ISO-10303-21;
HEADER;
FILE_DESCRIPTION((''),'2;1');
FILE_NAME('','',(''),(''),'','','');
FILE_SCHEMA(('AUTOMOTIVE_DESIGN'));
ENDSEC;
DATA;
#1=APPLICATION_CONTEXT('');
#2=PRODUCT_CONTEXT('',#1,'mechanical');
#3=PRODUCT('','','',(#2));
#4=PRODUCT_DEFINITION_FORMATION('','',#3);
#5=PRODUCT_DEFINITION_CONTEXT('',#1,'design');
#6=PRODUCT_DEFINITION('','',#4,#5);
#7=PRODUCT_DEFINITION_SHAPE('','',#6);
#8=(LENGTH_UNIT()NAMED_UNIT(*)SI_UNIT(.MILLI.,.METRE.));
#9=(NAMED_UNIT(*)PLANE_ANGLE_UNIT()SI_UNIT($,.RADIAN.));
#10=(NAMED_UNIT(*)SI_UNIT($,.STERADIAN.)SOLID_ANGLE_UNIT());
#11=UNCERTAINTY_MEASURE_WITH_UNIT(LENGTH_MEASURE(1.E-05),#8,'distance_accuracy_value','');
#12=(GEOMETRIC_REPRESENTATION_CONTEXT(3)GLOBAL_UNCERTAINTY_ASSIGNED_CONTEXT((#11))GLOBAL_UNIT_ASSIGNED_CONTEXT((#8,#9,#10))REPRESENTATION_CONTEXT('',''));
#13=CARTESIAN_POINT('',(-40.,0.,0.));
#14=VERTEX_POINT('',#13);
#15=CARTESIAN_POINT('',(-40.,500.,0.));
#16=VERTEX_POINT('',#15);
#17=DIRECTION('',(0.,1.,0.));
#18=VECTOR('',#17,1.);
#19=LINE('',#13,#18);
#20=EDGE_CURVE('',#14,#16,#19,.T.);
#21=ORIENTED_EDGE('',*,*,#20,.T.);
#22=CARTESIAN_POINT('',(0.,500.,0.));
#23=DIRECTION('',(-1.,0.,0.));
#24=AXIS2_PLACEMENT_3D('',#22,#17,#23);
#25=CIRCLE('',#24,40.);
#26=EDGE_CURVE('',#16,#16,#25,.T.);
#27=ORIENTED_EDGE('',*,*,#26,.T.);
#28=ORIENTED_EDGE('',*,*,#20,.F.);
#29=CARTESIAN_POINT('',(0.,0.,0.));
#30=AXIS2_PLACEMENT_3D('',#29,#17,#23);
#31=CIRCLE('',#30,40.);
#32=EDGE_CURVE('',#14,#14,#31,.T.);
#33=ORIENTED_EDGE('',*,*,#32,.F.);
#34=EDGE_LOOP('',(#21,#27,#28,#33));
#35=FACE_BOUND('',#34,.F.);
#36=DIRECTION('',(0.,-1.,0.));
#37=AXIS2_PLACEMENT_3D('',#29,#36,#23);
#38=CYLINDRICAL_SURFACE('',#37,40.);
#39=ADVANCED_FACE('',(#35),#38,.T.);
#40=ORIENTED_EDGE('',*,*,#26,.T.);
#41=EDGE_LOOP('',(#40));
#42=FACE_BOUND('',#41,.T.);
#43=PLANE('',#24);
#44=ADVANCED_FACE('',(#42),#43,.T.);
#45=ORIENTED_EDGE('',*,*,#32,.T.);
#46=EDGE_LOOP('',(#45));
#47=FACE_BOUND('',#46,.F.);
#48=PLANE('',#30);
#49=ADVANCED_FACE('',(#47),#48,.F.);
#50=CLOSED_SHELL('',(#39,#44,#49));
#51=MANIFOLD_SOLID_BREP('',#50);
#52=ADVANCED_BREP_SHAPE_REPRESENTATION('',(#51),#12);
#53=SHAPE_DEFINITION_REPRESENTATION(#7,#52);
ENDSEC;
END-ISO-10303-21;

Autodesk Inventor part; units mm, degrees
ref_plane "YZ Plane" through (0, 0, 0) normal (1, 0, 0) x (0, 1, 0)
ref_plane "XZ Plane" through (0, 0, 0) normal (0, 1, 0) x (-1, 0, 0)
ref_plane "XY Plane" through (0, 0, 0) normal (0, 0, 1) x (1, 0, 0)
sketch "Boceto1" plane through (0, 0, 0) normal (0, 1, 0) x (-1, 0, 0)
  circle A0 centre (0, 0) radius 40
  dimension "d0" = 80
extrude "Extrusión1" add sketch "Boceto1" along normal blind 500
properties part number "Cilindro"
